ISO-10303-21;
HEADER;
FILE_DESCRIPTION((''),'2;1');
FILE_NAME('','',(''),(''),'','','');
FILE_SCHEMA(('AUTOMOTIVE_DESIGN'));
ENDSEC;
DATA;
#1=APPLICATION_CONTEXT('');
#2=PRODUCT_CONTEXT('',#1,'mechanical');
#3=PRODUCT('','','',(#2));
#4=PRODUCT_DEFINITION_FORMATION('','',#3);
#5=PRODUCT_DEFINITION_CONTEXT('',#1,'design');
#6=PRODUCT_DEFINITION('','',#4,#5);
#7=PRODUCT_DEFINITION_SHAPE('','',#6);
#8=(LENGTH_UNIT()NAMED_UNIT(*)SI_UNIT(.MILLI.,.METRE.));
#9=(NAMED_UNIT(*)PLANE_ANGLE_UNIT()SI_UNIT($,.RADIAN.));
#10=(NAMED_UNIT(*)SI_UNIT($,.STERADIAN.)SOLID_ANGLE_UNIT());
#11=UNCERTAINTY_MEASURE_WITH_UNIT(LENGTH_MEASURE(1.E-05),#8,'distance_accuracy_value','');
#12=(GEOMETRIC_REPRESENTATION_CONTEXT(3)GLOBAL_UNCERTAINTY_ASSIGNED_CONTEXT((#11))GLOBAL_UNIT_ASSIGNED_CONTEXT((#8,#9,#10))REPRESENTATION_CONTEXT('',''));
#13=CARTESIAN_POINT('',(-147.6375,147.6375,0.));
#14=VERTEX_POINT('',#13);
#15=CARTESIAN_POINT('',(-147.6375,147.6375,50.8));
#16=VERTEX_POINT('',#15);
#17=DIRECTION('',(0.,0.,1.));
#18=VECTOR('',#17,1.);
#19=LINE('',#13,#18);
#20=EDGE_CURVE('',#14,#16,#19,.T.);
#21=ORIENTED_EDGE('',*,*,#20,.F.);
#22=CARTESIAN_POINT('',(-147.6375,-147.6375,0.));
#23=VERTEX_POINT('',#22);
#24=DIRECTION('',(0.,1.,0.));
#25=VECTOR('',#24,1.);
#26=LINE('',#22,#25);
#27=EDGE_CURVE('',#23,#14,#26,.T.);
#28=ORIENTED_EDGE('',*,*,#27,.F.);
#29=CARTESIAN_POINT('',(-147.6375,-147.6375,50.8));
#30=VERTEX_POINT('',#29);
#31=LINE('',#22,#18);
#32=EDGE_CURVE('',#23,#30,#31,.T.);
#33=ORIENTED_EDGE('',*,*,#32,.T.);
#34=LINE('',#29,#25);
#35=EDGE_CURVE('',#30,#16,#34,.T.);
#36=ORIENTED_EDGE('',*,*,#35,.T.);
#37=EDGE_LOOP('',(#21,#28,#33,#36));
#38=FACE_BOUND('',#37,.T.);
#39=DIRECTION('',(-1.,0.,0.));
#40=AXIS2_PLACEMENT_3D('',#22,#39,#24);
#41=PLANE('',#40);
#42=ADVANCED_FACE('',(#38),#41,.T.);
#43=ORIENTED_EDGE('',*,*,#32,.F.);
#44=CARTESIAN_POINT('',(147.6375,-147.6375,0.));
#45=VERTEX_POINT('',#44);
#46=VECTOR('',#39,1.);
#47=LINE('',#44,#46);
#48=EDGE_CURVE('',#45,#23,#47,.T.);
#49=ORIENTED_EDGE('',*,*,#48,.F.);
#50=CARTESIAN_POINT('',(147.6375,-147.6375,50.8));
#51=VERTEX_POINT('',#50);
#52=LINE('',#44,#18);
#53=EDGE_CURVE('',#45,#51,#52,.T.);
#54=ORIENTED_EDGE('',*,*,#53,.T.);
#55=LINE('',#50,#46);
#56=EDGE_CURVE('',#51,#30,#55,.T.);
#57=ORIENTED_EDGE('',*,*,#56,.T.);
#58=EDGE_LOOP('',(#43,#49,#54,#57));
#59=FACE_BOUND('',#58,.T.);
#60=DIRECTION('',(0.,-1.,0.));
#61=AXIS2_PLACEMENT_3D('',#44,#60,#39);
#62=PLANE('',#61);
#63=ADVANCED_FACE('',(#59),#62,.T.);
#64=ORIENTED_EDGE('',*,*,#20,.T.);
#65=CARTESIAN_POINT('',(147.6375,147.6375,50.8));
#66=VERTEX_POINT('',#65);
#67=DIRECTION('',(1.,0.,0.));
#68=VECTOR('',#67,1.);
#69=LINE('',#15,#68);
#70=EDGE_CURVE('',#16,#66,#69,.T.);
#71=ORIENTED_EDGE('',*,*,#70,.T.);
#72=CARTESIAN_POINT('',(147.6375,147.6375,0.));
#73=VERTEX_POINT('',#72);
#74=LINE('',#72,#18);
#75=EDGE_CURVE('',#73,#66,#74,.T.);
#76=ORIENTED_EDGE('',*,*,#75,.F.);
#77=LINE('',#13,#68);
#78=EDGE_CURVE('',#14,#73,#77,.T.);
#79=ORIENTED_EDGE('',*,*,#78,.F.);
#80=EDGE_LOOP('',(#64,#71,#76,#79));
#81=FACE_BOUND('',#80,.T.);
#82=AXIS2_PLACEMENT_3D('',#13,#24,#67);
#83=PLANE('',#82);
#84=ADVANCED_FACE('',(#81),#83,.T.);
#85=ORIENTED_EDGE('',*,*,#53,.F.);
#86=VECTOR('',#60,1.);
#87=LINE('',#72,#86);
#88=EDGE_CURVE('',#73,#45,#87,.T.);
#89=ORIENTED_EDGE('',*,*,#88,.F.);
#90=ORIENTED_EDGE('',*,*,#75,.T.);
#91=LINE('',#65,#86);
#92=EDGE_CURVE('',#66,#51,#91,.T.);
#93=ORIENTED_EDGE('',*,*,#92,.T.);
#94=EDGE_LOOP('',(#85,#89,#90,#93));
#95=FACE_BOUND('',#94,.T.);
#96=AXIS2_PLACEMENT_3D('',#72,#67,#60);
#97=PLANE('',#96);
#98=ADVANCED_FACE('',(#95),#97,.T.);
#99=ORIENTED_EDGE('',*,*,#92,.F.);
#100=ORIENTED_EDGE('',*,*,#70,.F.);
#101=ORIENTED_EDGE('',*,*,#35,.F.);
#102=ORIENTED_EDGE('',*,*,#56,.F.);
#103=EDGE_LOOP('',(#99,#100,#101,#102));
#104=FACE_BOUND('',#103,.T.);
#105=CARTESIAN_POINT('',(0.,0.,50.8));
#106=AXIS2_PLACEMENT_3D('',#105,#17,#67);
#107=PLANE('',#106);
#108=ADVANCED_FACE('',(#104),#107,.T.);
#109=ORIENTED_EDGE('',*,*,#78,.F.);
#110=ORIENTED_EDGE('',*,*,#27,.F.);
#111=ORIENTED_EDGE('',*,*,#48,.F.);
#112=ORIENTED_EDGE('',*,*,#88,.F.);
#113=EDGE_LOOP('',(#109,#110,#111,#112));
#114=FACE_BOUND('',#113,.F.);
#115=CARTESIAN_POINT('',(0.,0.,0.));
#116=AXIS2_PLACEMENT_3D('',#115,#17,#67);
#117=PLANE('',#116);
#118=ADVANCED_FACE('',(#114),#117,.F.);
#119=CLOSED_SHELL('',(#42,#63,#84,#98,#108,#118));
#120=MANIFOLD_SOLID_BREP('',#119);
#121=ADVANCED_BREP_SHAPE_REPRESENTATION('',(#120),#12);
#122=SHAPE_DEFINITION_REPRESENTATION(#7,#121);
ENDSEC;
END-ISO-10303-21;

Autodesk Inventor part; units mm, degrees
ref_plane "YZ Plane" through (0, 0, 0) normal (1, 0, 0) x (0, 1, 0)
ref_plane "XZ Plane" through (0, 0, 0) normal (0, 1, 0) x (-1, 0, 0)
ref_plane "XY Plane" through (0, 0, 0) normal (0, 0, 1) x (1, 0, 0)
sketch "Sketch1" plane through (0, 0, 0) normal (0, 0, 1) x (1, 0, 0)
  line L0 (-147.6375, 147.6375) -> (147.6375, 147.6375)
  line L1 (147.6375, 147.6375) -> (147.6375, -147.6375)
  line L2 (147.6375, -147.6375) -> (-147.6375, -147.6375)
  line L3 (-147.6375, -147.6375) -> (-147.6375, 147.6375)
  line L4 (-147.6375, 147.6375) -> (147.6375, -147.6375) construction
  line L5 (147.6375, 147.6375) -> (-147.6375, -147.6375) construction
  point P0 (0, 0)
  dimension "d0" = 295.275
  dimension "d1" = 295.275
extrude "Extrusion1" add sketch "Sketch1" along normal blind 50.8
properties part number "7-2x-11.625x11.625x2 as paver" material "Limestone"
